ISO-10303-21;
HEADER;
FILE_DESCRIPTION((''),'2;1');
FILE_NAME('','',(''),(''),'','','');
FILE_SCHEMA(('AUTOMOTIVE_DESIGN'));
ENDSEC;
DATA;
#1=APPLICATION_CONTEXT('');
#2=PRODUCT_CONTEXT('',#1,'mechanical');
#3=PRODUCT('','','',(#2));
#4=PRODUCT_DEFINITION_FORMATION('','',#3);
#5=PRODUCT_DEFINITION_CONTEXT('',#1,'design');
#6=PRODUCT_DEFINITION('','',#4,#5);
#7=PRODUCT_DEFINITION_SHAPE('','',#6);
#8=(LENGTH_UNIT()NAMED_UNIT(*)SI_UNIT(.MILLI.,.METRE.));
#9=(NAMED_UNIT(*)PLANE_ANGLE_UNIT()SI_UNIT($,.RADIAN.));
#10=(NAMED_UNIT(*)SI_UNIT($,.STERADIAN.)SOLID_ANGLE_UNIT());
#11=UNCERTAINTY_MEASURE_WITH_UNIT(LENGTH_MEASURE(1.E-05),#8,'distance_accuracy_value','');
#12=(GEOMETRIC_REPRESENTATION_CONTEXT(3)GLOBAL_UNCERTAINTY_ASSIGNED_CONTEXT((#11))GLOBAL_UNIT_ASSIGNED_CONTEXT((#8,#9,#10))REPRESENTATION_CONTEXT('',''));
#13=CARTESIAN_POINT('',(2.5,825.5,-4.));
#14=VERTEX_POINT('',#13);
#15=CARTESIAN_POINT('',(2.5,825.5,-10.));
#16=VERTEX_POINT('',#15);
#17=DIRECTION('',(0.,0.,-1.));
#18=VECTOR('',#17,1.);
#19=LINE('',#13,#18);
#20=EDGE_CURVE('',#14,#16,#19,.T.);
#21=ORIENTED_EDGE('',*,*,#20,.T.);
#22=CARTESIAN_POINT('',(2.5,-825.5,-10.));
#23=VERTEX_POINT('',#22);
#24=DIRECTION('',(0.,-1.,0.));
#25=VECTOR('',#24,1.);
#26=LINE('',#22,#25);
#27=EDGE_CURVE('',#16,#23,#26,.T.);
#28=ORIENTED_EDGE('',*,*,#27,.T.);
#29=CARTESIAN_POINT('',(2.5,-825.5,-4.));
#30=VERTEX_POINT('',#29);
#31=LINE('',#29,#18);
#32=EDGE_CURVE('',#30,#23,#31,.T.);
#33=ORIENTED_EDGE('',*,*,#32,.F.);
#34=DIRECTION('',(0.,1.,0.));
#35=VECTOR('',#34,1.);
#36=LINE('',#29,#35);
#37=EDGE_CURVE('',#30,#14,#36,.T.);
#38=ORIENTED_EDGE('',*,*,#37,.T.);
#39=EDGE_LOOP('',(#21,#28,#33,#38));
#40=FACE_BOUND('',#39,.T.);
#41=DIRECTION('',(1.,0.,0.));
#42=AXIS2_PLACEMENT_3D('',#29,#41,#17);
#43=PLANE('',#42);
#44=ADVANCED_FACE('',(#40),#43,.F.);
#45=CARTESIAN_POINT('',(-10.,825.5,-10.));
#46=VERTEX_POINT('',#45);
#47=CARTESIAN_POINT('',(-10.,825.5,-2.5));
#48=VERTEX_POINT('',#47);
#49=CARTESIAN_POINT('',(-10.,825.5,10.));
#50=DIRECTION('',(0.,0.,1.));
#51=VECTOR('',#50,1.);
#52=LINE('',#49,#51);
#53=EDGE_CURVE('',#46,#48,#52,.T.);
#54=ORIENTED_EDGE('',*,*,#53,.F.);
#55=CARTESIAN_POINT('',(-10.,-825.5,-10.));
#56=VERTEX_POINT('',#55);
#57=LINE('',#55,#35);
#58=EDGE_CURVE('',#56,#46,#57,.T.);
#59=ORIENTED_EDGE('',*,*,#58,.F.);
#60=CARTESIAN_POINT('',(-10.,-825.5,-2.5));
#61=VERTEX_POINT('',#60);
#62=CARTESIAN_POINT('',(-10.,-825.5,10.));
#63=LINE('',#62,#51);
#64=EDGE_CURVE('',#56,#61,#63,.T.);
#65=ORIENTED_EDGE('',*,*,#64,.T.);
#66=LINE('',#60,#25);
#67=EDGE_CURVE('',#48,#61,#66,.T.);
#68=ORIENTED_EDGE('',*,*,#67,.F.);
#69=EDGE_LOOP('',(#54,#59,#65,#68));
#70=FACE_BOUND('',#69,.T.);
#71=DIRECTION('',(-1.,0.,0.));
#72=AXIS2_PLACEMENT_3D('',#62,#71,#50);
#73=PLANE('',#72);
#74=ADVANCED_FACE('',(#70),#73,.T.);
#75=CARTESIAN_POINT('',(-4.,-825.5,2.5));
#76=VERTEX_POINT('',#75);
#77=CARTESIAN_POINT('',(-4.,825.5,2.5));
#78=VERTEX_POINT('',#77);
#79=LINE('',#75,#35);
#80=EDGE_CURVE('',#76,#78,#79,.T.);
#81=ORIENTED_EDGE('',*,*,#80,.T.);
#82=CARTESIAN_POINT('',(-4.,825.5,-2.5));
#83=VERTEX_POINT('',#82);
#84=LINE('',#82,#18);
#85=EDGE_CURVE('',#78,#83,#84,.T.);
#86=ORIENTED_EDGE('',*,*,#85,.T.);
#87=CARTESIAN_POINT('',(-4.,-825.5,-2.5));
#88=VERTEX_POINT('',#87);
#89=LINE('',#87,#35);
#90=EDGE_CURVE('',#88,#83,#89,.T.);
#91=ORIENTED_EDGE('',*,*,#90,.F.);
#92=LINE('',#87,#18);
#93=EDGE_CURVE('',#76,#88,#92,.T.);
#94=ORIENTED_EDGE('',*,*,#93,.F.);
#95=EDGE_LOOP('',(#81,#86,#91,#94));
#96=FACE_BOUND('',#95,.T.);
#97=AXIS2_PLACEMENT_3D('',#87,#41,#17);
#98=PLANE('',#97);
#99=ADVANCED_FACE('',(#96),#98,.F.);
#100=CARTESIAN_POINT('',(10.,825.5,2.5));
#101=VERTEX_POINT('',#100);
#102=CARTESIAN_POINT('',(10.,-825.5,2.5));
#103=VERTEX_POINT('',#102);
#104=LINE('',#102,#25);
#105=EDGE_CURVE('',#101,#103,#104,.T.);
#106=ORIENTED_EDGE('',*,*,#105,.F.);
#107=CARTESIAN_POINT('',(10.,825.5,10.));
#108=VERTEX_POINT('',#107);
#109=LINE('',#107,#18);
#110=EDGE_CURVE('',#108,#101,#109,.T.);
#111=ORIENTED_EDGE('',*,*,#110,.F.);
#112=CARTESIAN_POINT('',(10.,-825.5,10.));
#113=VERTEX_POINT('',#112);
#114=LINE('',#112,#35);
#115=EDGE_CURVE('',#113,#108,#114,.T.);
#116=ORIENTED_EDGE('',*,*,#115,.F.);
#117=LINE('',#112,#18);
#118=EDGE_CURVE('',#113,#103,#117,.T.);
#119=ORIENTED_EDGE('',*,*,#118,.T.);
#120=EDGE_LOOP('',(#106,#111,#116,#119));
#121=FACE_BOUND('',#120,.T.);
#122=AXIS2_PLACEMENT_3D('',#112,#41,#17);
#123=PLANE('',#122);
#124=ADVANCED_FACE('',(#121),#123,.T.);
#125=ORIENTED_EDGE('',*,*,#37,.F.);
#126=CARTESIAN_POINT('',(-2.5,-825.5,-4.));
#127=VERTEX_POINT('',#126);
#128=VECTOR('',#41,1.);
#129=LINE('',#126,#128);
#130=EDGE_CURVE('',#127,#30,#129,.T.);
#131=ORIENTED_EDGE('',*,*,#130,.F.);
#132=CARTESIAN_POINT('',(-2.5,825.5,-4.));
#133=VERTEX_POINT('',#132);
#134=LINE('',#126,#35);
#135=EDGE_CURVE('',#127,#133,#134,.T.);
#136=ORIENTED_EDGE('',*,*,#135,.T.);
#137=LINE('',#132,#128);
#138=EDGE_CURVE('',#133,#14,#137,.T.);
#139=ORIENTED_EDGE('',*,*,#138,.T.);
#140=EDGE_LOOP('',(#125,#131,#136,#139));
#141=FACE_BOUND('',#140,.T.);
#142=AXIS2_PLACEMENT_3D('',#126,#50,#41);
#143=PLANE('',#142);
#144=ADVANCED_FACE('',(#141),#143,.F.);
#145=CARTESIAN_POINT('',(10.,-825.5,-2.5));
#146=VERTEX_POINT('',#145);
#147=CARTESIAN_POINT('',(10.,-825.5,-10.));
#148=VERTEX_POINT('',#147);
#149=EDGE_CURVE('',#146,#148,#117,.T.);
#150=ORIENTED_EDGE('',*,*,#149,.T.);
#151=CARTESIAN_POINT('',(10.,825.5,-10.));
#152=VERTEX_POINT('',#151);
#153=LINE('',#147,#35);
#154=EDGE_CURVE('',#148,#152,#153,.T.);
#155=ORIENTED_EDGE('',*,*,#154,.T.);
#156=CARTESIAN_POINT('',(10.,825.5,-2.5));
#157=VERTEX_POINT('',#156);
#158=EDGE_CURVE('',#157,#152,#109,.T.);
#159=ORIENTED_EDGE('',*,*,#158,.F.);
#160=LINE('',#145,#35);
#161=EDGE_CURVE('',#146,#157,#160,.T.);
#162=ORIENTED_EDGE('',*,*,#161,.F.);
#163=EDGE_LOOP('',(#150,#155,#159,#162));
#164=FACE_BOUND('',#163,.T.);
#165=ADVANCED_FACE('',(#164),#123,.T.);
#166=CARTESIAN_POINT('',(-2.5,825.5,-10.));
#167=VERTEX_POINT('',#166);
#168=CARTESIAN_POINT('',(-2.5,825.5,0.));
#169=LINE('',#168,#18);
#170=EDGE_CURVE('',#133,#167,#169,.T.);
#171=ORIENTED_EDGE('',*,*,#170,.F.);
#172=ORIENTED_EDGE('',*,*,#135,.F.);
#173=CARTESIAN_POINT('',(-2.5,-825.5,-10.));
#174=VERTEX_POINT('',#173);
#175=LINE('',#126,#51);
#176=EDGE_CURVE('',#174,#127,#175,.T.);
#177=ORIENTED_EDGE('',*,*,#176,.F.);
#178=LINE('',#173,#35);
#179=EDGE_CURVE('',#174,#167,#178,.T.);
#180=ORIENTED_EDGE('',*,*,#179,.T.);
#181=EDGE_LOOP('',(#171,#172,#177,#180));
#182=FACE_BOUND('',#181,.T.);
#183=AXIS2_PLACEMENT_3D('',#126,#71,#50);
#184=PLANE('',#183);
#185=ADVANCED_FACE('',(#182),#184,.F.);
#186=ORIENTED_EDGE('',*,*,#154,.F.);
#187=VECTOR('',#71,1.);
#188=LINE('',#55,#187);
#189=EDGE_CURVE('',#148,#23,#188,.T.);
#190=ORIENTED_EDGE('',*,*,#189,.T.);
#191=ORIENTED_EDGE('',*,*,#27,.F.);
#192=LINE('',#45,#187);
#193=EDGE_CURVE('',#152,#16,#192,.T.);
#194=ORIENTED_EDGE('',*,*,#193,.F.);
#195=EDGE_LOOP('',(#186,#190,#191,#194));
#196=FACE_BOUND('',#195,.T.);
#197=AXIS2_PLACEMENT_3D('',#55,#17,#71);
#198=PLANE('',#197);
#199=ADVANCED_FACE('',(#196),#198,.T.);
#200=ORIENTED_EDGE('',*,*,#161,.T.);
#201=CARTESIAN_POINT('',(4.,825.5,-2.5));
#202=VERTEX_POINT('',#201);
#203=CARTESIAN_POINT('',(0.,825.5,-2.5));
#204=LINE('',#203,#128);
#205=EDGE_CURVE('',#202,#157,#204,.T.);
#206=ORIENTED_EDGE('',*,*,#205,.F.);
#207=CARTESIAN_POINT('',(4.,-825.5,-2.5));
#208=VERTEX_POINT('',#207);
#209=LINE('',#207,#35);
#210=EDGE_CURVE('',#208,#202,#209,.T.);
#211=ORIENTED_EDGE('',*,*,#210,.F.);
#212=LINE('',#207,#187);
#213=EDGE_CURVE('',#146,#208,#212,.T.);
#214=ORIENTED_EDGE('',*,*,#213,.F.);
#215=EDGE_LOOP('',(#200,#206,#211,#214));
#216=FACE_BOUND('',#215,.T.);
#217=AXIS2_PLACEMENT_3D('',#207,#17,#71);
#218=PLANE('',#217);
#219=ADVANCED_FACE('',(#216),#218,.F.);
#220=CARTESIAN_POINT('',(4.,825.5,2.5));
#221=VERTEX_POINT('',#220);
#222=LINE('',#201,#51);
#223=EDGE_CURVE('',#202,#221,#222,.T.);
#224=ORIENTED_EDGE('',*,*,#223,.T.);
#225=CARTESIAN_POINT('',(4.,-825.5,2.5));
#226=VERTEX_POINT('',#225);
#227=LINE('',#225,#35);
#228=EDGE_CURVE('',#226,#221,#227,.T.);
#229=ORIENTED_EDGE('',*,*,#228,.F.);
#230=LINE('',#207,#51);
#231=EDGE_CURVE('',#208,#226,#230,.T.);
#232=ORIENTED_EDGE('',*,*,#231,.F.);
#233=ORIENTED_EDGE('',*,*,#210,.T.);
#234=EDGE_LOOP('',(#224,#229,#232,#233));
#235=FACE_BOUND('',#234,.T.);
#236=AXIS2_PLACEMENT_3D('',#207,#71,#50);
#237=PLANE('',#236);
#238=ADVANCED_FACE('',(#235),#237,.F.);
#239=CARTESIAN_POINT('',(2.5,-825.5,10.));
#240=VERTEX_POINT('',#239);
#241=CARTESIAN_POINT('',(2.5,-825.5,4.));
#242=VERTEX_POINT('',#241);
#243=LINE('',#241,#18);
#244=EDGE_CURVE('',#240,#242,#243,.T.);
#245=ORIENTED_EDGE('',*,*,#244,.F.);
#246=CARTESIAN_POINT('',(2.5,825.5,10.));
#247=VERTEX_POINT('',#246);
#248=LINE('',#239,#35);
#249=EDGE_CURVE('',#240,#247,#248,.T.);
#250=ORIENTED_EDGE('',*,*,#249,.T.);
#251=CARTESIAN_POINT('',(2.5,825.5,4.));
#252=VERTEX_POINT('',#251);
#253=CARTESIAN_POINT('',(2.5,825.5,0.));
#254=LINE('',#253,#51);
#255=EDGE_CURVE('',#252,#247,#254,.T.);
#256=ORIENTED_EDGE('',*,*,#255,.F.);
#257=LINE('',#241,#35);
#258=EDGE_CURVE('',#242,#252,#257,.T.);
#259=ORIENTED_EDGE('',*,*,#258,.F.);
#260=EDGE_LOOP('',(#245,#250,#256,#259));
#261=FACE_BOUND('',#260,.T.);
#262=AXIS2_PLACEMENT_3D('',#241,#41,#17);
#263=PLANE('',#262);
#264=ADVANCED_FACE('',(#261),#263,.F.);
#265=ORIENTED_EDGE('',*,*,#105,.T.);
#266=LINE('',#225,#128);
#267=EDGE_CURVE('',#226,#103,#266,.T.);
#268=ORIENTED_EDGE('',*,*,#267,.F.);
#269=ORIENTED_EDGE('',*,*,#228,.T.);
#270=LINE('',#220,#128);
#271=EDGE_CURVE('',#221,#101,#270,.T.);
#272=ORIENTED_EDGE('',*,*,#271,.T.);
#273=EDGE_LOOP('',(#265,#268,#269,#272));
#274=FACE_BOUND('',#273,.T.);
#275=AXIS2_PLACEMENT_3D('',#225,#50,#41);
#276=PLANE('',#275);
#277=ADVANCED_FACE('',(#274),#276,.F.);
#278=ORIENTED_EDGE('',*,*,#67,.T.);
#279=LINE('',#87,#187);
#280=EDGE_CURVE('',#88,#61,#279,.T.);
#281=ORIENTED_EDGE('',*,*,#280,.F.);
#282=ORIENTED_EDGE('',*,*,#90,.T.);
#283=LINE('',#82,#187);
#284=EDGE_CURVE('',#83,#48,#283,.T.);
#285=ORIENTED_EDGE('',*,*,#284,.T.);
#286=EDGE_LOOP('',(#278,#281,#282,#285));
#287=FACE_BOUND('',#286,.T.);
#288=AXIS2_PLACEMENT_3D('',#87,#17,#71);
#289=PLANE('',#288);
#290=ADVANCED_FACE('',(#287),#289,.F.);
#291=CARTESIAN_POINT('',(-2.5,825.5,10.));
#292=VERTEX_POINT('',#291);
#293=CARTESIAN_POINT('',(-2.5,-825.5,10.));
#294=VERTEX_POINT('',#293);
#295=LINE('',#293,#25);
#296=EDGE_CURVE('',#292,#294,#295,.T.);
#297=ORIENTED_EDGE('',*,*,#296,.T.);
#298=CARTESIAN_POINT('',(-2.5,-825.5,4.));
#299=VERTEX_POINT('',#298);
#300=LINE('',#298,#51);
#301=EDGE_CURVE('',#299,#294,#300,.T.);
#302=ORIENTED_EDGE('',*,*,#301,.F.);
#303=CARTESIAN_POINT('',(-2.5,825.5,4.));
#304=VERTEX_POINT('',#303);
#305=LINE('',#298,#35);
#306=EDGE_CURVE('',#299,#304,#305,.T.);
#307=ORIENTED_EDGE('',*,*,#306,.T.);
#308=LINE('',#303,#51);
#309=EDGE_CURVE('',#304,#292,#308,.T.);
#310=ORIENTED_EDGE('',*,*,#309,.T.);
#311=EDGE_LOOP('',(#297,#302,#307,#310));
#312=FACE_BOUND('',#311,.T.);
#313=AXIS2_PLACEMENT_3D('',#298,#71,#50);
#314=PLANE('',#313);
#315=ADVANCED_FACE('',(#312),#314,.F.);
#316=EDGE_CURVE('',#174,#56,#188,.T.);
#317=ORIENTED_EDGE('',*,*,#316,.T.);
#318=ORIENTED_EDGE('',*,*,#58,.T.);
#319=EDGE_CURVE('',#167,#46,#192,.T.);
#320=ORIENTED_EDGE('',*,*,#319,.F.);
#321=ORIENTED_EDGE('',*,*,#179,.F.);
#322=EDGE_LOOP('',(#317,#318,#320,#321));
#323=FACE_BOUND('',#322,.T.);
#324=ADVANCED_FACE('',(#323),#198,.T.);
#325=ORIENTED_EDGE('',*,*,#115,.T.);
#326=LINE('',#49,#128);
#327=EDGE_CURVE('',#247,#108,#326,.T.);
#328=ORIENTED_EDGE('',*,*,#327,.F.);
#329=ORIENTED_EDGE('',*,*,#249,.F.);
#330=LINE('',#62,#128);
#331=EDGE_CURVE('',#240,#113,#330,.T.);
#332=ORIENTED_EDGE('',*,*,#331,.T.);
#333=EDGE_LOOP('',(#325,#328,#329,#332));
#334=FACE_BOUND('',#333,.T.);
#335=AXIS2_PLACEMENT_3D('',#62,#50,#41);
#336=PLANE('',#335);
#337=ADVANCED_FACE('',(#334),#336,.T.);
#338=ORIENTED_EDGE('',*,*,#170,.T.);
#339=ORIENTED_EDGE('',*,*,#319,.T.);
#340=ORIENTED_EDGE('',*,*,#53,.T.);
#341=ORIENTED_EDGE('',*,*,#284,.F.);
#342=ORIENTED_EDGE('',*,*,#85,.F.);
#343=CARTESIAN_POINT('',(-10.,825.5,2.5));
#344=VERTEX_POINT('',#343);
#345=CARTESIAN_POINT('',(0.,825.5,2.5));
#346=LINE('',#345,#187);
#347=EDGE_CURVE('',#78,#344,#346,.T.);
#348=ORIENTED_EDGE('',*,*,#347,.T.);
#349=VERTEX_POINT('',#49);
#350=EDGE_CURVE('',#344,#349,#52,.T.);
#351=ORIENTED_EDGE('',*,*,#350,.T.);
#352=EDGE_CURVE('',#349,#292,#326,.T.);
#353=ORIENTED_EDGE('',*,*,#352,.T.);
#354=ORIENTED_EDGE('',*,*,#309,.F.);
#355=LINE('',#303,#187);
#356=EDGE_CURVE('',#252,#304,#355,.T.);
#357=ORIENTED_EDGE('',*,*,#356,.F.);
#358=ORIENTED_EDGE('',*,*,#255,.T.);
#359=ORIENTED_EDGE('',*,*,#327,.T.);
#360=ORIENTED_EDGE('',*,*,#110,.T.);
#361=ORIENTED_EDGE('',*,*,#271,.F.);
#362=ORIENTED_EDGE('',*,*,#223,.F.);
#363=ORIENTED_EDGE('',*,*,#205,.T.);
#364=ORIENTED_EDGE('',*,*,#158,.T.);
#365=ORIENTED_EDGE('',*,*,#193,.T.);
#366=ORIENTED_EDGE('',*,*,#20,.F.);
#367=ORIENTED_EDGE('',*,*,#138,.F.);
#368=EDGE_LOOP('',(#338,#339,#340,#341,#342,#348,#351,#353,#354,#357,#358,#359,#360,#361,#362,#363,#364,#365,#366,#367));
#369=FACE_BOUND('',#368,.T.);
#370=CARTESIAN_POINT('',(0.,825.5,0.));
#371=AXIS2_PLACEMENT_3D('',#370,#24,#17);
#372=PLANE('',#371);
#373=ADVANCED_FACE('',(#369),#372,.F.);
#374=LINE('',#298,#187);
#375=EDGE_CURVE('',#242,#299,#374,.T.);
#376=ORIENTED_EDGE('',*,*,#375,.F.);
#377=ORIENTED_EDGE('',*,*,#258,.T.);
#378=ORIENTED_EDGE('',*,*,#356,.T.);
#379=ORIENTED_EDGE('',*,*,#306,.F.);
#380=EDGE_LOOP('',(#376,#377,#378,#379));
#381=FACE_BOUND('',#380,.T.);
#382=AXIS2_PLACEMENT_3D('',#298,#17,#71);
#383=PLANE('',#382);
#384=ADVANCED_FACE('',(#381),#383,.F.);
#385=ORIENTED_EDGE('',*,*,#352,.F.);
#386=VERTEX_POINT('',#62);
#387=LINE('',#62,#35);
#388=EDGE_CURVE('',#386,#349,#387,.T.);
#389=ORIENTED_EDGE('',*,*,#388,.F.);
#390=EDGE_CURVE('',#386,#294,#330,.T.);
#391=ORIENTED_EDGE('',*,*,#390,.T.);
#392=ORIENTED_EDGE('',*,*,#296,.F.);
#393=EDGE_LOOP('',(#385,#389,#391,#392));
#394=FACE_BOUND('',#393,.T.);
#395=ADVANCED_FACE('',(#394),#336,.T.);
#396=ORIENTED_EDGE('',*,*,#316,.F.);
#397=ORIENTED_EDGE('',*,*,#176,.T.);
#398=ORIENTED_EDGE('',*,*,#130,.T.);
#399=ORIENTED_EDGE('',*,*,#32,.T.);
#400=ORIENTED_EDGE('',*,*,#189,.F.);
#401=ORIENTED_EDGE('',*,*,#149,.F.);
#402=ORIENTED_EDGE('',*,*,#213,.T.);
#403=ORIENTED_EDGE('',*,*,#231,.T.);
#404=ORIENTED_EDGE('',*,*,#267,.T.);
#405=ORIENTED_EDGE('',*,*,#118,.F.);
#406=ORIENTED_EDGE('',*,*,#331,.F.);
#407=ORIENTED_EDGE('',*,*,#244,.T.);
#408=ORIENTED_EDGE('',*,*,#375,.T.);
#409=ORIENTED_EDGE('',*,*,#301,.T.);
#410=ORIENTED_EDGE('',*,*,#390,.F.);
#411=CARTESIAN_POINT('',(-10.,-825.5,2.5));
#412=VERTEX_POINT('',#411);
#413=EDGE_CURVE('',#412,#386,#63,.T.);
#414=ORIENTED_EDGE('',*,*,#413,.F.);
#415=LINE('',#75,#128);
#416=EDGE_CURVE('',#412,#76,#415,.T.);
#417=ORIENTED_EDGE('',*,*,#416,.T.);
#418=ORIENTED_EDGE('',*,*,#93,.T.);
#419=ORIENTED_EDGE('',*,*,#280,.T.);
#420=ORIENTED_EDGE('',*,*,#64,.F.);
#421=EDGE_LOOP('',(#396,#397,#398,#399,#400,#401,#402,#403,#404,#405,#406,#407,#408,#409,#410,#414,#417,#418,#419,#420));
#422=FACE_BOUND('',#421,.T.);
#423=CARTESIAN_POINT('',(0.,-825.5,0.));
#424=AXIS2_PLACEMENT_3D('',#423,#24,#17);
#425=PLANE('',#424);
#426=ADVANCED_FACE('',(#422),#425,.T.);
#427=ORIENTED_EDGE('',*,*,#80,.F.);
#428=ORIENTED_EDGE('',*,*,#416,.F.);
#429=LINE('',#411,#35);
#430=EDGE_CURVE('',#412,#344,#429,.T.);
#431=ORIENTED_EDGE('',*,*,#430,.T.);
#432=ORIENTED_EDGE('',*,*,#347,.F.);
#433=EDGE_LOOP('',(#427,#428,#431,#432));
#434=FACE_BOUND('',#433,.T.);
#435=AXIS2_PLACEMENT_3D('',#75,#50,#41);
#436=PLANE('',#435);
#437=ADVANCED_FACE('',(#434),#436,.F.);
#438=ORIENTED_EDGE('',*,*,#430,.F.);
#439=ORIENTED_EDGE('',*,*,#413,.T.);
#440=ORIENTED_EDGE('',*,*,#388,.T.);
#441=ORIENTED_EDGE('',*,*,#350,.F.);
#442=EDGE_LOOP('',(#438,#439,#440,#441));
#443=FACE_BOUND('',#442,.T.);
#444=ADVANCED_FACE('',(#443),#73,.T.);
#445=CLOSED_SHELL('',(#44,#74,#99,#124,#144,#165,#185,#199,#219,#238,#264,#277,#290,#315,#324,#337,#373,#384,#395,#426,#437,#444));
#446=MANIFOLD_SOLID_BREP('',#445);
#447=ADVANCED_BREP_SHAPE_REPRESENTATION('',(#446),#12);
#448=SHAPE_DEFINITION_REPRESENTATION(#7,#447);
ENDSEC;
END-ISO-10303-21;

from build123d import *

# Parameters (mm, degrees)
BOSS_EXTRUDE1_DEPTH      = 825.5
BOSS_EXTRUDE1_DEPTH_BACK = 825.5
SKETCH1_W                = 20
SKETCH1_H                = 20
CUT_EXTRUDE1_DEPTH       = 826.621129817
CUT_EXTRUDE1_DEPTH_BACK  = 826.621129817
SKETCH2_W                = 5
SKETCH2_H                = 12
SKETCH2_W_2              = 12
SKETCH2_H_2              = 5


with BuildPart() as part:
    # Sketch1 → Boss-Extrude1 (new, two sides: drawn at the far end of the back side and taken through both)
    with BuildSketch(Plane(origin=(0, 0, 0), x_dir=(1, 0, 0), z_dir=(0, 1, 0)).offset(-BOSS_EXTRUDE1_DEPTH_BACK)):
        Rectangle(SKETCH1_W, SKETCH1_H)
    extrude(amount=BOSS_EXTRUDE1_DEPTH + BOSS_EXTRUDE1_DEPTH_BACK)

    # Sketch2 → Cut-Extrude1 (cut, two sides: drawn at the far end of the back side and taken through both)
    with BuildSketch(Plane(origin=(0, 0, 0), x_dir=(1, 0, 0), z_dir=(0, 1, 0)).offset(-CUT_EXTRUDE1_DEPTH_BACK)):
        with Locations((0, 10)):
            Rectangle(SKETCH2_W, SKETCH2_H)
        with Locations((10, 0)):
            Rectangle(SKETCH2_W_2, SKETCH2_H_2)
        with Locations((-10, 0)):
            Rectangle(SKETCH2_W_2, SKETCH2_H_2)
        with Locations((0, -10)):
            Rectangle(SKETCH2_W, SKETCH2_H)
    extrude(amount=CUT_EXTRUDE1_DEPTH + CUT_EXTRUDE1_DEPTH_BACK, mode=Mode.SUBTRACT)


solid = part.part
